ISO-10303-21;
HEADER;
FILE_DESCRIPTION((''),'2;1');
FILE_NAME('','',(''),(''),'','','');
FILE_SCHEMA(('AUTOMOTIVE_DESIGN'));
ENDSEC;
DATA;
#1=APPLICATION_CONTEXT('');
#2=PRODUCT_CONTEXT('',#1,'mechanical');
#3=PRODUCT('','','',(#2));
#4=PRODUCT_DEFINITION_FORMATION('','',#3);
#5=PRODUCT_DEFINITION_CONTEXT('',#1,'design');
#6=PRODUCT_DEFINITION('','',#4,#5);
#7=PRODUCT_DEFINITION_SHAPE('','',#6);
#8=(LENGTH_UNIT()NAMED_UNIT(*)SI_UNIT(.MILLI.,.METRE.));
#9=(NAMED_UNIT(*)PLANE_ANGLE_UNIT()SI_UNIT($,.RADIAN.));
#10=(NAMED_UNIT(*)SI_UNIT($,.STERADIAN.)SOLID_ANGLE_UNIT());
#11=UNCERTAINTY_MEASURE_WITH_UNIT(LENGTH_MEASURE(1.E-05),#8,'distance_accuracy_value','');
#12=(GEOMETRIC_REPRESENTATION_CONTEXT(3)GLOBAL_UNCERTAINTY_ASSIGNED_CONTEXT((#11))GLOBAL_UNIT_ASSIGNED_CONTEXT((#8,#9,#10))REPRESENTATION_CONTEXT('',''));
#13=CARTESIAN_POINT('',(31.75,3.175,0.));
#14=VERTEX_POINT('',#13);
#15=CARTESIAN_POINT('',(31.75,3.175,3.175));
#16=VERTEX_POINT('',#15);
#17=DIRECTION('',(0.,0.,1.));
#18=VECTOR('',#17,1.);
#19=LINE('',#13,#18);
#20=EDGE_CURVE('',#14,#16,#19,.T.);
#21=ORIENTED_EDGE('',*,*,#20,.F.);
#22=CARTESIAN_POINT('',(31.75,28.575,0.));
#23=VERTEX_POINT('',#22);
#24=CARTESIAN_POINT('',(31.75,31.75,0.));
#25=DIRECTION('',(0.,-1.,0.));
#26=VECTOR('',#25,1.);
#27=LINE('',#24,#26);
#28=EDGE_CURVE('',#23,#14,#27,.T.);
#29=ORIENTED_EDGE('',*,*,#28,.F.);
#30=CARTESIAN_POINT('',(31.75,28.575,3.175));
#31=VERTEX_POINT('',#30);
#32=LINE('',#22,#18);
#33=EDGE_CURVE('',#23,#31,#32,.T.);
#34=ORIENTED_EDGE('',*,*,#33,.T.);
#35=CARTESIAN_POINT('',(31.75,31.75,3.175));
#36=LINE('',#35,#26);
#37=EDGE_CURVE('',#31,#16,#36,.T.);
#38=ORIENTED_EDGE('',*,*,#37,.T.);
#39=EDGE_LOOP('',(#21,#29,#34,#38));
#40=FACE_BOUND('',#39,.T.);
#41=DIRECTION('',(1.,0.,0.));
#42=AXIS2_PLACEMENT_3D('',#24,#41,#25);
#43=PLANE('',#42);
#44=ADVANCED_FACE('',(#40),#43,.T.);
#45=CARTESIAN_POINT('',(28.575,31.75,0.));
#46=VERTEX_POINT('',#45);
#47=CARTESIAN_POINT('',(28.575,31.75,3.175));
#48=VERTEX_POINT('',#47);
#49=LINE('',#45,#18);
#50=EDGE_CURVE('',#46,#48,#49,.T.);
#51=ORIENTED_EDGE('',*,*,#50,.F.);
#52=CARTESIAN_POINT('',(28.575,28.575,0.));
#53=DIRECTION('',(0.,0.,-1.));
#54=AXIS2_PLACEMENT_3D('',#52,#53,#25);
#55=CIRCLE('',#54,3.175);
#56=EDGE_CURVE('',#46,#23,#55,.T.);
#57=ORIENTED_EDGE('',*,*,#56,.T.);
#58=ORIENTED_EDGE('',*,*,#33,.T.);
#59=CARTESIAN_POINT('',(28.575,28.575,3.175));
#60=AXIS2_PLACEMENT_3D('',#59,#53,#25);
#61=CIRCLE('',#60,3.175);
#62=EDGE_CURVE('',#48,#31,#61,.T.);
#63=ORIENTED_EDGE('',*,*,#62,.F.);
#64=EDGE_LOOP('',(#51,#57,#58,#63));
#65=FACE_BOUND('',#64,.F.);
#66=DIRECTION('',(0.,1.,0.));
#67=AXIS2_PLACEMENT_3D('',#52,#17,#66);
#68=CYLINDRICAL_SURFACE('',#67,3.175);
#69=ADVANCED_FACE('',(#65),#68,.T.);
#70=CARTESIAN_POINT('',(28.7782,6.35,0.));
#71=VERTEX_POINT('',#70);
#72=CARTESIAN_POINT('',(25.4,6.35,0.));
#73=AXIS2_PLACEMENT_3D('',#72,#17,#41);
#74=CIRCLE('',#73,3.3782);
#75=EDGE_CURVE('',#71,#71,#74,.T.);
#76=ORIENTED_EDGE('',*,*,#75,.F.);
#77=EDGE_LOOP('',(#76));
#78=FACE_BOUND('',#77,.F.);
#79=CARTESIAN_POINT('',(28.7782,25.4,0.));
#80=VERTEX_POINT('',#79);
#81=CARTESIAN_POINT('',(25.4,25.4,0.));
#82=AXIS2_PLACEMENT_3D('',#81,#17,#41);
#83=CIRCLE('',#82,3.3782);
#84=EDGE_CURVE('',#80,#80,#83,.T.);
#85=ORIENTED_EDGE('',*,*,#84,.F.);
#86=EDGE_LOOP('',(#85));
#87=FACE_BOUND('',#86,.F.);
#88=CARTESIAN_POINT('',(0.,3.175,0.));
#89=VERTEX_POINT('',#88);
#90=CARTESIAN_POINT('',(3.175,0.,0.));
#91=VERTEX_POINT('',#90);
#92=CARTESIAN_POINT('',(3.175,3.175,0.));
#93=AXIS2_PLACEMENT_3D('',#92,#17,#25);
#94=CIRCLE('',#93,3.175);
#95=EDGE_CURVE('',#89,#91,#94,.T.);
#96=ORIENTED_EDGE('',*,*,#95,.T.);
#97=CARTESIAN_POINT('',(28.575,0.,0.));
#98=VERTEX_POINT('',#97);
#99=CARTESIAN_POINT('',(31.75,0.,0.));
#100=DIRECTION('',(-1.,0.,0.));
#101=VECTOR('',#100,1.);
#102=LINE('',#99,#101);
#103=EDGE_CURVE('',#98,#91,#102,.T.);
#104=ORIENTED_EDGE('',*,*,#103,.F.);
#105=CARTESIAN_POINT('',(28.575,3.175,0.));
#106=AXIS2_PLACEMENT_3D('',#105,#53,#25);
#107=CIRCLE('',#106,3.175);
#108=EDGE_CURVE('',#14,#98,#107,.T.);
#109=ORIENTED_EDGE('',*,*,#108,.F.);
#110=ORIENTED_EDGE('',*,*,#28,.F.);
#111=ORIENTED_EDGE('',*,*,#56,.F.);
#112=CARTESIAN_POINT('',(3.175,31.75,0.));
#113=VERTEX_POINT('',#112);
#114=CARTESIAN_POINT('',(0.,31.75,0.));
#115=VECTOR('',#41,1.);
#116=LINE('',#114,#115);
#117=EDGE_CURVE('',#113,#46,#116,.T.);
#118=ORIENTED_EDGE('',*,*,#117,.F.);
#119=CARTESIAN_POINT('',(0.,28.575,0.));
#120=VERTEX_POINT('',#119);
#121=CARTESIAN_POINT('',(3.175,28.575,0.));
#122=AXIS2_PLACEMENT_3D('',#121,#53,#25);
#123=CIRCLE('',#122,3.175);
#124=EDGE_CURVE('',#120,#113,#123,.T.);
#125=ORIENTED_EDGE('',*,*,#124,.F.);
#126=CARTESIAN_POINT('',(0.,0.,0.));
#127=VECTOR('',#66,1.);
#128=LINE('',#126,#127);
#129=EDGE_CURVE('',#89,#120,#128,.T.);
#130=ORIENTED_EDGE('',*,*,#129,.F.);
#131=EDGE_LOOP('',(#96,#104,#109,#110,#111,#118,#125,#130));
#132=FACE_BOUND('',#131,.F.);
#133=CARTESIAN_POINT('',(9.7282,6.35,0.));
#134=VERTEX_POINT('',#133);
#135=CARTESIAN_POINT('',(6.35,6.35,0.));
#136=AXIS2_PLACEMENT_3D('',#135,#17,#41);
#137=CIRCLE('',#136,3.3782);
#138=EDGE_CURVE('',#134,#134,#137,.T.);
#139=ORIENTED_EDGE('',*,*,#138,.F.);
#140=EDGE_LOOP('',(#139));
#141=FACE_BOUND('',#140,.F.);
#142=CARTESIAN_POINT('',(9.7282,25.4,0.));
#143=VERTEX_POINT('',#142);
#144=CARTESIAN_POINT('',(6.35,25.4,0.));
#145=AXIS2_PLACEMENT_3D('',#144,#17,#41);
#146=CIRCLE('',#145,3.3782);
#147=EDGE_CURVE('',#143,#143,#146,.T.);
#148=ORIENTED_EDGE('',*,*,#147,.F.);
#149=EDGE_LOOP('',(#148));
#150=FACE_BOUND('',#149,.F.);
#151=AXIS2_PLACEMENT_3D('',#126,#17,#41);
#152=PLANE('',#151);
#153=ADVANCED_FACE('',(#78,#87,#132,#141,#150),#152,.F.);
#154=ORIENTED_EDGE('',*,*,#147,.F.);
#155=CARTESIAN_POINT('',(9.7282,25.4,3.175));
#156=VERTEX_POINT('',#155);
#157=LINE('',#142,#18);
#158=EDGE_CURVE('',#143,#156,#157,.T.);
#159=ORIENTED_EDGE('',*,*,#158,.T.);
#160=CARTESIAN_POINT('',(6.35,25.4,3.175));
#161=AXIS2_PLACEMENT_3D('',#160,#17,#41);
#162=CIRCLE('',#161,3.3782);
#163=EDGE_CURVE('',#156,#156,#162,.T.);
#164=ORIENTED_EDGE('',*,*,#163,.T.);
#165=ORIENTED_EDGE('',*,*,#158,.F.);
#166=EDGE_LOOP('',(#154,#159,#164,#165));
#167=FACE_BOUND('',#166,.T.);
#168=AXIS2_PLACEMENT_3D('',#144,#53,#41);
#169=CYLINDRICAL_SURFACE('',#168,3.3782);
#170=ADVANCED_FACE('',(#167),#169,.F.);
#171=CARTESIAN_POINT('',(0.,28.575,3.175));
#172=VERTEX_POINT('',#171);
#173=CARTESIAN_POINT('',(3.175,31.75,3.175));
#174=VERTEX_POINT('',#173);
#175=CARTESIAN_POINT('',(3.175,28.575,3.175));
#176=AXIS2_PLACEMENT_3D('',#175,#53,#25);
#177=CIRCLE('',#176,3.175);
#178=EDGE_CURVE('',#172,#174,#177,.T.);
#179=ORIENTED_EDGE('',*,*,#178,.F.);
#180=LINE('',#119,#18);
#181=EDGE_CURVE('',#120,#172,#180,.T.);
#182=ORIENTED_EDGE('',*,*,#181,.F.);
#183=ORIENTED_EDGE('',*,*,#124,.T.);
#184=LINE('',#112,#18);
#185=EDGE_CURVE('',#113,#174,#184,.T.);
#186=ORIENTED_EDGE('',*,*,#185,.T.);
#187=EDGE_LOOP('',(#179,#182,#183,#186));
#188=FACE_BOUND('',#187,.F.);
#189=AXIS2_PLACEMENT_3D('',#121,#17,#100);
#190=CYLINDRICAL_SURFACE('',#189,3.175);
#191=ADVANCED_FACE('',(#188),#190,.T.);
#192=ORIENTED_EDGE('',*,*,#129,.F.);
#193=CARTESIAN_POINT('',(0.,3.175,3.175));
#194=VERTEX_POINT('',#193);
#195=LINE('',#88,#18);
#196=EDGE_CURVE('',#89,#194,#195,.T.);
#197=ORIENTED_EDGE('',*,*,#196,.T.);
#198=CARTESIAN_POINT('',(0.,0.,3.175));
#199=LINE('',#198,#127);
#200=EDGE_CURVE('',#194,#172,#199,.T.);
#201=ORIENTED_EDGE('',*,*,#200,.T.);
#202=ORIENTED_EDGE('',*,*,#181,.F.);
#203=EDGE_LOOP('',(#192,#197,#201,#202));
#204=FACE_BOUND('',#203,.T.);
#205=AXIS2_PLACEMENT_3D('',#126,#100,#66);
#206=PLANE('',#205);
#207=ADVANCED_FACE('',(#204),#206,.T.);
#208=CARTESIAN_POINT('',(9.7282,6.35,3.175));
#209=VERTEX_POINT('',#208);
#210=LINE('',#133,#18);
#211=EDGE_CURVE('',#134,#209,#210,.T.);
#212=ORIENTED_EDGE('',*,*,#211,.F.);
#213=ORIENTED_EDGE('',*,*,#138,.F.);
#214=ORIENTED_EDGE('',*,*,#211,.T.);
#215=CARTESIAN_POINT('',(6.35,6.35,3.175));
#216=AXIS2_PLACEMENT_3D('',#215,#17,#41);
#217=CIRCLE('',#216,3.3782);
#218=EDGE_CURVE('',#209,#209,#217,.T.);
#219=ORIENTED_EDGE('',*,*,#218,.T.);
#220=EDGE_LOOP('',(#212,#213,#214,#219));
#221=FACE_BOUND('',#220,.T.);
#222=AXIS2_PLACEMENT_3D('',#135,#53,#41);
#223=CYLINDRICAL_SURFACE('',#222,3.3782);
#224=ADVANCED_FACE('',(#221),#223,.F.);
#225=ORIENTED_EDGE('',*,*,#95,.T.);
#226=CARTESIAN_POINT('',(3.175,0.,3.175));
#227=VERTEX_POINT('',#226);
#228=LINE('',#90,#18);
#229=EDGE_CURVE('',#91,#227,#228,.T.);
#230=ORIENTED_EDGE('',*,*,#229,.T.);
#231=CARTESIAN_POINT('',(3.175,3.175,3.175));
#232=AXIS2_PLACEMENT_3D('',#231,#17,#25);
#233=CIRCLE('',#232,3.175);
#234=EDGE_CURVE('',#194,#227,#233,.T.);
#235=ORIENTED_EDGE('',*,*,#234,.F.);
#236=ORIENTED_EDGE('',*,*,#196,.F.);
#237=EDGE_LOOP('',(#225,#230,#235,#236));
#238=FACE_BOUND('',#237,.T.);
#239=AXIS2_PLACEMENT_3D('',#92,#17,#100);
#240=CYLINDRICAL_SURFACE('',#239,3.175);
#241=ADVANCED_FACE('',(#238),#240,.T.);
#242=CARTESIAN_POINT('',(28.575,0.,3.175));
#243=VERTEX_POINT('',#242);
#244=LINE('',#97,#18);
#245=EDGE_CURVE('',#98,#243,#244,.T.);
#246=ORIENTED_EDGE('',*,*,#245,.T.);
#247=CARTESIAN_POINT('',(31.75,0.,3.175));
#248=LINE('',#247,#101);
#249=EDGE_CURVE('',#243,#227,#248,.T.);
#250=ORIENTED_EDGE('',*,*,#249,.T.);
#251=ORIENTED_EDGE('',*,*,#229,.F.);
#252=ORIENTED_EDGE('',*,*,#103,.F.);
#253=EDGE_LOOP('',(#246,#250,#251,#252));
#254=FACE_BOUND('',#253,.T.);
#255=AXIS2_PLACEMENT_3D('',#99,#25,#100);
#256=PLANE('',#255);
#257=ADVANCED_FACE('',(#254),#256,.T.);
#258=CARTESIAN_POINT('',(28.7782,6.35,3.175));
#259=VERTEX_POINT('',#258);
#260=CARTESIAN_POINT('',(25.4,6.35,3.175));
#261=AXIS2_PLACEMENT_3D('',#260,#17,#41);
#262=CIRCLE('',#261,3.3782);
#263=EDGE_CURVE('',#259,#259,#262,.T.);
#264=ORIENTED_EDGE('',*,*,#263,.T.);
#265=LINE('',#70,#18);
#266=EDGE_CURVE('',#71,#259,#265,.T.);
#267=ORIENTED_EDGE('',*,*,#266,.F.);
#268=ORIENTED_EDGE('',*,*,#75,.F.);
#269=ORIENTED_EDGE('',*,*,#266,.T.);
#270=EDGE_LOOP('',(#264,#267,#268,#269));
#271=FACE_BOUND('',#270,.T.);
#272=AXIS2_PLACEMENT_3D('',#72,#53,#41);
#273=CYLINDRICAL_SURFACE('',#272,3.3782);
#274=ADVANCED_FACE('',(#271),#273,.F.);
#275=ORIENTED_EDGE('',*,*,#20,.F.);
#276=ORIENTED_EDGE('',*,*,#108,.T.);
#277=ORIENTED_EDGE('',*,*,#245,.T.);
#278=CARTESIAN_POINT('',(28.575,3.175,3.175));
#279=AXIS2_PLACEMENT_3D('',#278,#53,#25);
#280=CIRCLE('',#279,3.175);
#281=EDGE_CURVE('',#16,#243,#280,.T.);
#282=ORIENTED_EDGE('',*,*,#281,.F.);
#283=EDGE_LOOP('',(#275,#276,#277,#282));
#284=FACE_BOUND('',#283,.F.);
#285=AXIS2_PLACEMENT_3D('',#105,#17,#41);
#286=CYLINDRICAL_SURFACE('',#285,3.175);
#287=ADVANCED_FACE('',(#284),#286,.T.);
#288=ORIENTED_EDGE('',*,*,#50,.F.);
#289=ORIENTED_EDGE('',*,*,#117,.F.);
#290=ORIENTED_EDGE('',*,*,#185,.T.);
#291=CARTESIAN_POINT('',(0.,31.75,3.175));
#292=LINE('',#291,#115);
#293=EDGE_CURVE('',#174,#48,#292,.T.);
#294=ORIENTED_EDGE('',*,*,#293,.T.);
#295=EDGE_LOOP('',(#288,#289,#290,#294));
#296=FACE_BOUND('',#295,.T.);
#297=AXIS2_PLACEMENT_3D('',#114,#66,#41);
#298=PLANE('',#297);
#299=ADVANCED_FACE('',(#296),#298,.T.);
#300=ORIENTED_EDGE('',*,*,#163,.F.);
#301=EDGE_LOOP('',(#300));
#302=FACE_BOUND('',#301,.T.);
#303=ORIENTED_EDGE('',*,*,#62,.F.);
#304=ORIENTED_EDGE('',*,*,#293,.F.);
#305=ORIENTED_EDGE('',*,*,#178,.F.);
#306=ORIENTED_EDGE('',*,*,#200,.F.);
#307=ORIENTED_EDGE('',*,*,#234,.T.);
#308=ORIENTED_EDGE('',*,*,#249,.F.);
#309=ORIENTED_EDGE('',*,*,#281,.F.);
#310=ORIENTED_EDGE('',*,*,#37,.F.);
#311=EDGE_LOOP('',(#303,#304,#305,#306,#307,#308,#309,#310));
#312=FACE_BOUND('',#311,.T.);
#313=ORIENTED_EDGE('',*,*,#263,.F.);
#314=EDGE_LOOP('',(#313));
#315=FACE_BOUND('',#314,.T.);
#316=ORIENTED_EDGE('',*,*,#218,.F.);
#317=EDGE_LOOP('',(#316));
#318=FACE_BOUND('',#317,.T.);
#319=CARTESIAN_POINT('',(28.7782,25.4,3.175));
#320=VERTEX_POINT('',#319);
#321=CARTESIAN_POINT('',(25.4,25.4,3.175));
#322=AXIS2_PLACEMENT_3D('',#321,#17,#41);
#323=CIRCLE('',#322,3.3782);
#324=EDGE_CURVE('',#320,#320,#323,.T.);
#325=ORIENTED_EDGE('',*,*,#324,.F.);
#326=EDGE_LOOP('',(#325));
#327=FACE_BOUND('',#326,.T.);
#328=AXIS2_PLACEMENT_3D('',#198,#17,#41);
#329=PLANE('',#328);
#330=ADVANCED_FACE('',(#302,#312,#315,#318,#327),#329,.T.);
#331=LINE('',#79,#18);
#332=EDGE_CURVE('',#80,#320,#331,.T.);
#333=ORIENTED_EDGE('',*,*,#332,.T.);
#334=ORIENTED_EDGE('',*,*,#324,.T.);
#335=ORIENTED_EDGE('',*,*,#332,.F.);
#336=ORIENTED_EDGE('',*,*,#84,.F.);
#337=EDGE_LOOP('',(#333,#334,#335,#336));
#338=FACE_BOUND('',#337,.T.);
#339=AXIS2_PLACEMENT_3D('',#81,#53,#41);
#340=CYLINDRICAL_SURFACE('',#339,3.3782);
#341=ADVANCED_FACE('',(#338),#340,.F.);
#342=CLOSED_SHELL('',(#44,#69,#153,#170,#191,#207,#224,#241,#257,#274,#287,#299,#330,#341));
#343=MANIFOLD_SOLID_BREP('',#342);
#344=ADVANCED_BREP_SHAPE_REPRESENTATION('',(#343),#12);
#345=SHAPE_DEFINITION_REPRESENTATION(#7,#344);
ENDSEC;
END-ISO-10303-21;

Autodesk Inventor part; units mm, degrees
ref_plane "YZ Plane" through (0, 0, 0) normal (1, 0, 0) x (0, 1, 0)
ref_plane "XZ Plane" through (0, 0, 0) normal (0, 1, 0) x (-1, 0, 0)
ref_plane "XY Plane" through (0, 0, 0) normal (0, 0, 1) x (1, 0, 0)
sketch "Sketch1" plane through (0, 0, 0) normal (0, 0, 1) x (1, 0, 0)
  line L0 (0, 0) -> (0, 31.75)
  line L1 (0, 31.75) -> (31.75, 31.75)
  line L2 (31.75, 31.75) -> (31.75, 0)
  line L3 (31.75, 0) -> (0, 0)
  circle A0 centre (6.35, 25.4) radius 3.3782
  circle A1 centre (25.4, 25.4) radius 3.3782
  circle A2 centre (6.35, 6.35) radius 3.3782
  circle A3 centre (25.4, 6.35) radius 3.3782
  line L4 (15.875, 31.75) -> (15.875, 0) construction
  line L5 (0, 15.875) -> (31.75, 15.875) construction
  line L6 (25.4, 25.4) -> (25.4, 6.35) construction
  line L7 (6.35, 25.4) -> (25.4, 25.4) construction
  point P0 (25.4, 15.875)
  point P1 (15.875, 25.4)
  dimension "d0" = 31.75
  dimension "d1" = 31.75
  dimension "d2" = 6.7564
  dimension "d5" = 19.05
  dimension "d8" = 19.05
extrude "Extrusion1" add sketch "Sketch1" along normal blind 3.175
fillet "Fillet1" radius 3.175 4 edges at (31.75, 31.75, 1.5875) (31.75, 0, 1.5875) (0, 31.75, 1.5875) (0, 0, 1.5875)
properties part number "V5 Spacer Plate" material "Aluminum-6061"
